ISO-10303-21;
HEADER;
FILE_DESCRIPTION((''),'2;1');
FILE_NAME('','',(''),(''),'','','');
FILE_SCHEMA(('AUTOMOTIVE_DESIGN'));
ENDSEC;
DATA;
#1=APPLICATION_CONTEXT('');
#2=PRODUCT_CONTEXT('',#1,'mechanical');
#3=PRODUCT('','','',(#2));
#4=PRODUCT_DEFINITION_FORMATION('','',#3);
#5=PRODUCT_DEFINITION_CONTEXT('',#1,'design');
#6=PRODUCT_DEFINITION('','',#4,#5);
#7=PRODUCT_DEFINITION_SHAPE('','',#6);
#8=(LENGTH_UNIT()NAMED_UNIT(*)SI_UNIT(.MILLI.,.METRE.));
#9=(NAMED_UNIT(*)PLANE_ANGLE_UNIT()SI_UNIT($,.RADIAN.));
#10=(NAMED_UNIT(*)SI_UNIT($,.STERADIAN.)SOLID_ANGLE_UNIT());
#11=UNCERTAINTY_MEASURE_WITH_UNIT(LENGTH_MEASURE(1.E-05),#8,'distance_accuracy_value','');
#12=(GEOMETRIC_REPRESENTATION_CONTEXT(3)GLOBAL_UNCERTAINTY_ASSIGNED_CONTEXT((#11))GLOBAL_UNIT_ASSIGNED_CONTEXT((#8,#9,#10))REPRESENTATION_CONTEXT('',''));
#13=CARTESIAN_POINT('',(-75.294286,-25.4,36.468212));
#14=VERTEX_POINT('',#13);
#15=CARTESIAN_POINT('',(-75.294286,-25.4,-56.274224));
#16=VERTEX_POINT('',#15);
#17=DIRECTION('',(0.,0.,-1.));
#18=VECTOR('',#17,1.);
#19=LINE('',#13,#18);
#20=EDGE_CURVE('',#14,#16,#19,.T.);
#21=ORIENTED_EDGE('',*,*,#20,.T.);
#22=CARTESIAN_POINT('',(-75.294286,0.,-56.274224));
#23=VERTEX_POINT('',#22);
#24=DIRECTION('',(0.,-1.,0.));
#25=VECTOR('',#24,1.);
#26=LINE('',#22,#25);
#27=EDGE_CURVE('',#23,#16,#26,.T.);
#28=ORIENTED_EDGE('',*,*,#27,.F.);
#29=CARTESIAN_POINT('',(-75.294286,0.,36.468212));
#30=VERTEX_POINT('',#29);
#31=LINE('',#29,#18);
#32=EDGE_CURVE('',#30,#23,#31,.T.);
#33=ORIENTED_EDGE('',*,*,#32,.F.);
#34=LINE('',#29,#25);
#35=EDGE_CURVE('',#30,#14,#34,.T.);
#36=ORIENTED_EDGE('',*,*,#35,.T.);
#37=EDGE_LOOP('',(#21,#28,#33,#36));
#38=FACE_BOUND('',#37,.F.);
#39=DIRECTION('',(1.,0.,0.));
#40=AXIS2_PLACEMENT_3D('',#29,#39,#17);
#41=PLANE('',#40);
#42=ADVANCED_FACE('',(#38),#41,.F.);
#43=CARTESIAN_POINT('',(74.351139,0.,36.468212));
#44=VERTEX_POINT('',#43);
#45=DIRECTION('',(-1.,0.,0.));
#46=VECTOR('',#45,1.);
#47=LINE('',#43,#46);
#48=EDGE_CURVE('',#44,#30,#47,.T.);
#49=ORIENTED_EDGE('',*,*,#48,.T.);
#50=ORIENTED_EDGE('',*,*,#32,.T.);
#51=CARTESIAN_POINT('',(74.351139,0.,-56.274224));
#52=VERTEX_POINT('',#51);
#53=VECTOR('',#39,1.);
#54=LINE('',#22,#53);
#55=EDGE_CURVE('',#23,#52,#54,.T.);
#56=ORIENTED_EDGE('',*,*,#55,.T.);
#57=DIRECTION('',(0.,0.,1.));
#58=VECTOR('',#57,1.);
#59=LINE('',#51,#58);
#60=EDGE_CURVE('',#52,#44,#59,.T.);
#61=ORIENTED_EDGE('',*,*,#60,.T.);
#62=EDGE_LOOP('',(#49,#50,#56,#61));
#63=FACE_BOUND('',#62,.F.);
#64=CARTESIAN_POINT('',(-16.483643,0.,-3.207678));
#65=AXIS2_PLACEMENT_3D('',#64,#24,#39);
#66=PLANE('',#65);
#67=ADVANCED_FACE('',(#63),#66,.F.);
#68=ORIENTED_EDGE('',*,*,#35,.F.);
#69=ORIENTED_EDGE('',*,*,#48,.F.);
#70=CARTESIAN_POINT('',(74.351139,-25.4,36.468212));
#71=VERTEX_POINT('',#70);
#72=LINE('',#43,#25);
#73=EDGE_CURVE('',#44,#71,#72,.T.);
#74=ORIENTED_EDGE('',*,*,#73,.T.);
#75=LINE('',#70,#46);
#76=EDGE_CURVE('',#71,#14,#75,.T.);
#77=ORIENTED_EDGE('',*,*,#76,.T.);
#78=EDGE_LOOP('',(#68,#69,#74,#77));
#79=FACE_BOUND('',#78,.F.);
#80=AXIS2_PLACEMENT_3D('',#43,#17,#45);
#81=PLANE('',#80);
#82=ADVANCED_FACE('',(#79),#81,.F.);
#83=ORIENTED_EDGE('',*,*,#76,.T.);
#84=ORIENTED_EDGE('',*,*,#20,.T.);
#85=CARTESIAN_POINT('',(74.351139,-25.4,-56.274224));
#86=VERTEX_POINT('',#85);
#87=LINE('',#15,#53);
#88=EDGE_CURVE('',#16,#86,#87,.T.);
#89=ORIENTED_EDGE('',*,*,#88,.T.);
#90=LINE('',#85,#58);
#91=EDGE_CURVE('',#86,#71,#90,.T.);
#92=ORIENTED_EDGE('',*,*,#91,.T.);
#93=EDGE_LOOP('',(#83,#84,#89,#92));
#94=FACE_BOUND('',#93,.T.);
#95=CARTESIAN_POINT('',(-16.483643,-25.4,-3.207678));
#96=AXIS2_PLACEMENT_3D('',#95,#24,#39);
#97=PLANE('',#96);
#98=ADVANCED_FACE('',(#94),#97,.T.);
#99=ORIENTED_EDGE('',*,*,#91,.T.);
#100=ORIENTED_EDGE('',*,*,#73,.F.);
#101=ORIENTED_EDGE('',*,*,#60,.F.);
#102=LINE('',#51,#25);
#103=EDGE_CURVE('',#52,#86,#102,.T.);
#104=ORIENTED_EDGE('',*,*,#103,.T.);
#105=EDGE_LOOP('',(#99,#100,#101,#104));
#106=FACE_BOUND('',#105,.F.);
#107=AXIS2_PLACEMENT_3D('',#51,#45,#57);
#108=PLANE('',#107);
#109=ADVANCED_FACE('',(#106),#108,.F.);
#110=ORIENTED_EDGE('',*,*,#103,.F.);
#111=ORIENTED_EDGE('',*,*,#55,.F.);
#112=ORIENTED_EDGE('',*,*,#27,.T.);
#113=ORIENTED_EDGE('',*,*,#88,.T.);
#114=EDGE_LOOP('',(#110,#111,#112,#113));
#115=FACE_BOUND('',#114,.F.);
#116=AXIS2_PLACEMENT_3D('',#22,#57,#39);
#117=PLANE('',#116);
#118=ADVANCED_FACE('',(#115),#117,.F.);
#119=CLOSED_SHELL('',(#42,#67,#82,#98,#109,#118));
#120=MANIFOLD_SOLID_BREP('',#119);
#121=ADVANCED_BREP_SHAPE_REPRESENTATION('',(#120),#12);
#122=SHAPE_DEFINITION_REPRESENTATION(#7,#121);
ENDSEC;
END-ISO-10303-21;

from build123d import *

# Parameters (mm, degrees)
F1_DEPTH = 25.4


with BuildPart() as f1:
    # F0 (on Front) → F1 (new body)
    with BuildSketch(Plane.XZ):
        Polygon((10.531767, -27.35116), (-25.936443, 36.468212), (-33.795971, -27.35116), align=None)
        Polygon((-33.795971, -27.35116), (-25.936443, 36.468212), (-75.294286, 36.468212), align=None)
        Polygon((-33.795971, -27.35116), (-75.294286, 36.468212), (-75.294286, -27.35116), align=None)
        Polygon((10.531767, -27.35116), (-33.795971, -27.35116), (-75.294286, -27.35116), (-75.294286, -56.274224), (-43.541789, -56.274224), (74.351139, -56.274224), (74.351139, -27.35116), align=None)
        Polygon((74.351139, -27.35116), (38.51169, 36.468212), (10.531767, -27.35116), align=None)
        Polygon((74.351139, 36.468212), (38.51169, 36.468212), (74.351139, -27.35116), (74.351139, -20.749155), align=None)
        Polygon((38.51169, 36.468212), (-25.936443, 36.468212), (10.531767, -27.35116), align=None)
    extrude(amount=F1_DEPTH)


solid = f1.part
